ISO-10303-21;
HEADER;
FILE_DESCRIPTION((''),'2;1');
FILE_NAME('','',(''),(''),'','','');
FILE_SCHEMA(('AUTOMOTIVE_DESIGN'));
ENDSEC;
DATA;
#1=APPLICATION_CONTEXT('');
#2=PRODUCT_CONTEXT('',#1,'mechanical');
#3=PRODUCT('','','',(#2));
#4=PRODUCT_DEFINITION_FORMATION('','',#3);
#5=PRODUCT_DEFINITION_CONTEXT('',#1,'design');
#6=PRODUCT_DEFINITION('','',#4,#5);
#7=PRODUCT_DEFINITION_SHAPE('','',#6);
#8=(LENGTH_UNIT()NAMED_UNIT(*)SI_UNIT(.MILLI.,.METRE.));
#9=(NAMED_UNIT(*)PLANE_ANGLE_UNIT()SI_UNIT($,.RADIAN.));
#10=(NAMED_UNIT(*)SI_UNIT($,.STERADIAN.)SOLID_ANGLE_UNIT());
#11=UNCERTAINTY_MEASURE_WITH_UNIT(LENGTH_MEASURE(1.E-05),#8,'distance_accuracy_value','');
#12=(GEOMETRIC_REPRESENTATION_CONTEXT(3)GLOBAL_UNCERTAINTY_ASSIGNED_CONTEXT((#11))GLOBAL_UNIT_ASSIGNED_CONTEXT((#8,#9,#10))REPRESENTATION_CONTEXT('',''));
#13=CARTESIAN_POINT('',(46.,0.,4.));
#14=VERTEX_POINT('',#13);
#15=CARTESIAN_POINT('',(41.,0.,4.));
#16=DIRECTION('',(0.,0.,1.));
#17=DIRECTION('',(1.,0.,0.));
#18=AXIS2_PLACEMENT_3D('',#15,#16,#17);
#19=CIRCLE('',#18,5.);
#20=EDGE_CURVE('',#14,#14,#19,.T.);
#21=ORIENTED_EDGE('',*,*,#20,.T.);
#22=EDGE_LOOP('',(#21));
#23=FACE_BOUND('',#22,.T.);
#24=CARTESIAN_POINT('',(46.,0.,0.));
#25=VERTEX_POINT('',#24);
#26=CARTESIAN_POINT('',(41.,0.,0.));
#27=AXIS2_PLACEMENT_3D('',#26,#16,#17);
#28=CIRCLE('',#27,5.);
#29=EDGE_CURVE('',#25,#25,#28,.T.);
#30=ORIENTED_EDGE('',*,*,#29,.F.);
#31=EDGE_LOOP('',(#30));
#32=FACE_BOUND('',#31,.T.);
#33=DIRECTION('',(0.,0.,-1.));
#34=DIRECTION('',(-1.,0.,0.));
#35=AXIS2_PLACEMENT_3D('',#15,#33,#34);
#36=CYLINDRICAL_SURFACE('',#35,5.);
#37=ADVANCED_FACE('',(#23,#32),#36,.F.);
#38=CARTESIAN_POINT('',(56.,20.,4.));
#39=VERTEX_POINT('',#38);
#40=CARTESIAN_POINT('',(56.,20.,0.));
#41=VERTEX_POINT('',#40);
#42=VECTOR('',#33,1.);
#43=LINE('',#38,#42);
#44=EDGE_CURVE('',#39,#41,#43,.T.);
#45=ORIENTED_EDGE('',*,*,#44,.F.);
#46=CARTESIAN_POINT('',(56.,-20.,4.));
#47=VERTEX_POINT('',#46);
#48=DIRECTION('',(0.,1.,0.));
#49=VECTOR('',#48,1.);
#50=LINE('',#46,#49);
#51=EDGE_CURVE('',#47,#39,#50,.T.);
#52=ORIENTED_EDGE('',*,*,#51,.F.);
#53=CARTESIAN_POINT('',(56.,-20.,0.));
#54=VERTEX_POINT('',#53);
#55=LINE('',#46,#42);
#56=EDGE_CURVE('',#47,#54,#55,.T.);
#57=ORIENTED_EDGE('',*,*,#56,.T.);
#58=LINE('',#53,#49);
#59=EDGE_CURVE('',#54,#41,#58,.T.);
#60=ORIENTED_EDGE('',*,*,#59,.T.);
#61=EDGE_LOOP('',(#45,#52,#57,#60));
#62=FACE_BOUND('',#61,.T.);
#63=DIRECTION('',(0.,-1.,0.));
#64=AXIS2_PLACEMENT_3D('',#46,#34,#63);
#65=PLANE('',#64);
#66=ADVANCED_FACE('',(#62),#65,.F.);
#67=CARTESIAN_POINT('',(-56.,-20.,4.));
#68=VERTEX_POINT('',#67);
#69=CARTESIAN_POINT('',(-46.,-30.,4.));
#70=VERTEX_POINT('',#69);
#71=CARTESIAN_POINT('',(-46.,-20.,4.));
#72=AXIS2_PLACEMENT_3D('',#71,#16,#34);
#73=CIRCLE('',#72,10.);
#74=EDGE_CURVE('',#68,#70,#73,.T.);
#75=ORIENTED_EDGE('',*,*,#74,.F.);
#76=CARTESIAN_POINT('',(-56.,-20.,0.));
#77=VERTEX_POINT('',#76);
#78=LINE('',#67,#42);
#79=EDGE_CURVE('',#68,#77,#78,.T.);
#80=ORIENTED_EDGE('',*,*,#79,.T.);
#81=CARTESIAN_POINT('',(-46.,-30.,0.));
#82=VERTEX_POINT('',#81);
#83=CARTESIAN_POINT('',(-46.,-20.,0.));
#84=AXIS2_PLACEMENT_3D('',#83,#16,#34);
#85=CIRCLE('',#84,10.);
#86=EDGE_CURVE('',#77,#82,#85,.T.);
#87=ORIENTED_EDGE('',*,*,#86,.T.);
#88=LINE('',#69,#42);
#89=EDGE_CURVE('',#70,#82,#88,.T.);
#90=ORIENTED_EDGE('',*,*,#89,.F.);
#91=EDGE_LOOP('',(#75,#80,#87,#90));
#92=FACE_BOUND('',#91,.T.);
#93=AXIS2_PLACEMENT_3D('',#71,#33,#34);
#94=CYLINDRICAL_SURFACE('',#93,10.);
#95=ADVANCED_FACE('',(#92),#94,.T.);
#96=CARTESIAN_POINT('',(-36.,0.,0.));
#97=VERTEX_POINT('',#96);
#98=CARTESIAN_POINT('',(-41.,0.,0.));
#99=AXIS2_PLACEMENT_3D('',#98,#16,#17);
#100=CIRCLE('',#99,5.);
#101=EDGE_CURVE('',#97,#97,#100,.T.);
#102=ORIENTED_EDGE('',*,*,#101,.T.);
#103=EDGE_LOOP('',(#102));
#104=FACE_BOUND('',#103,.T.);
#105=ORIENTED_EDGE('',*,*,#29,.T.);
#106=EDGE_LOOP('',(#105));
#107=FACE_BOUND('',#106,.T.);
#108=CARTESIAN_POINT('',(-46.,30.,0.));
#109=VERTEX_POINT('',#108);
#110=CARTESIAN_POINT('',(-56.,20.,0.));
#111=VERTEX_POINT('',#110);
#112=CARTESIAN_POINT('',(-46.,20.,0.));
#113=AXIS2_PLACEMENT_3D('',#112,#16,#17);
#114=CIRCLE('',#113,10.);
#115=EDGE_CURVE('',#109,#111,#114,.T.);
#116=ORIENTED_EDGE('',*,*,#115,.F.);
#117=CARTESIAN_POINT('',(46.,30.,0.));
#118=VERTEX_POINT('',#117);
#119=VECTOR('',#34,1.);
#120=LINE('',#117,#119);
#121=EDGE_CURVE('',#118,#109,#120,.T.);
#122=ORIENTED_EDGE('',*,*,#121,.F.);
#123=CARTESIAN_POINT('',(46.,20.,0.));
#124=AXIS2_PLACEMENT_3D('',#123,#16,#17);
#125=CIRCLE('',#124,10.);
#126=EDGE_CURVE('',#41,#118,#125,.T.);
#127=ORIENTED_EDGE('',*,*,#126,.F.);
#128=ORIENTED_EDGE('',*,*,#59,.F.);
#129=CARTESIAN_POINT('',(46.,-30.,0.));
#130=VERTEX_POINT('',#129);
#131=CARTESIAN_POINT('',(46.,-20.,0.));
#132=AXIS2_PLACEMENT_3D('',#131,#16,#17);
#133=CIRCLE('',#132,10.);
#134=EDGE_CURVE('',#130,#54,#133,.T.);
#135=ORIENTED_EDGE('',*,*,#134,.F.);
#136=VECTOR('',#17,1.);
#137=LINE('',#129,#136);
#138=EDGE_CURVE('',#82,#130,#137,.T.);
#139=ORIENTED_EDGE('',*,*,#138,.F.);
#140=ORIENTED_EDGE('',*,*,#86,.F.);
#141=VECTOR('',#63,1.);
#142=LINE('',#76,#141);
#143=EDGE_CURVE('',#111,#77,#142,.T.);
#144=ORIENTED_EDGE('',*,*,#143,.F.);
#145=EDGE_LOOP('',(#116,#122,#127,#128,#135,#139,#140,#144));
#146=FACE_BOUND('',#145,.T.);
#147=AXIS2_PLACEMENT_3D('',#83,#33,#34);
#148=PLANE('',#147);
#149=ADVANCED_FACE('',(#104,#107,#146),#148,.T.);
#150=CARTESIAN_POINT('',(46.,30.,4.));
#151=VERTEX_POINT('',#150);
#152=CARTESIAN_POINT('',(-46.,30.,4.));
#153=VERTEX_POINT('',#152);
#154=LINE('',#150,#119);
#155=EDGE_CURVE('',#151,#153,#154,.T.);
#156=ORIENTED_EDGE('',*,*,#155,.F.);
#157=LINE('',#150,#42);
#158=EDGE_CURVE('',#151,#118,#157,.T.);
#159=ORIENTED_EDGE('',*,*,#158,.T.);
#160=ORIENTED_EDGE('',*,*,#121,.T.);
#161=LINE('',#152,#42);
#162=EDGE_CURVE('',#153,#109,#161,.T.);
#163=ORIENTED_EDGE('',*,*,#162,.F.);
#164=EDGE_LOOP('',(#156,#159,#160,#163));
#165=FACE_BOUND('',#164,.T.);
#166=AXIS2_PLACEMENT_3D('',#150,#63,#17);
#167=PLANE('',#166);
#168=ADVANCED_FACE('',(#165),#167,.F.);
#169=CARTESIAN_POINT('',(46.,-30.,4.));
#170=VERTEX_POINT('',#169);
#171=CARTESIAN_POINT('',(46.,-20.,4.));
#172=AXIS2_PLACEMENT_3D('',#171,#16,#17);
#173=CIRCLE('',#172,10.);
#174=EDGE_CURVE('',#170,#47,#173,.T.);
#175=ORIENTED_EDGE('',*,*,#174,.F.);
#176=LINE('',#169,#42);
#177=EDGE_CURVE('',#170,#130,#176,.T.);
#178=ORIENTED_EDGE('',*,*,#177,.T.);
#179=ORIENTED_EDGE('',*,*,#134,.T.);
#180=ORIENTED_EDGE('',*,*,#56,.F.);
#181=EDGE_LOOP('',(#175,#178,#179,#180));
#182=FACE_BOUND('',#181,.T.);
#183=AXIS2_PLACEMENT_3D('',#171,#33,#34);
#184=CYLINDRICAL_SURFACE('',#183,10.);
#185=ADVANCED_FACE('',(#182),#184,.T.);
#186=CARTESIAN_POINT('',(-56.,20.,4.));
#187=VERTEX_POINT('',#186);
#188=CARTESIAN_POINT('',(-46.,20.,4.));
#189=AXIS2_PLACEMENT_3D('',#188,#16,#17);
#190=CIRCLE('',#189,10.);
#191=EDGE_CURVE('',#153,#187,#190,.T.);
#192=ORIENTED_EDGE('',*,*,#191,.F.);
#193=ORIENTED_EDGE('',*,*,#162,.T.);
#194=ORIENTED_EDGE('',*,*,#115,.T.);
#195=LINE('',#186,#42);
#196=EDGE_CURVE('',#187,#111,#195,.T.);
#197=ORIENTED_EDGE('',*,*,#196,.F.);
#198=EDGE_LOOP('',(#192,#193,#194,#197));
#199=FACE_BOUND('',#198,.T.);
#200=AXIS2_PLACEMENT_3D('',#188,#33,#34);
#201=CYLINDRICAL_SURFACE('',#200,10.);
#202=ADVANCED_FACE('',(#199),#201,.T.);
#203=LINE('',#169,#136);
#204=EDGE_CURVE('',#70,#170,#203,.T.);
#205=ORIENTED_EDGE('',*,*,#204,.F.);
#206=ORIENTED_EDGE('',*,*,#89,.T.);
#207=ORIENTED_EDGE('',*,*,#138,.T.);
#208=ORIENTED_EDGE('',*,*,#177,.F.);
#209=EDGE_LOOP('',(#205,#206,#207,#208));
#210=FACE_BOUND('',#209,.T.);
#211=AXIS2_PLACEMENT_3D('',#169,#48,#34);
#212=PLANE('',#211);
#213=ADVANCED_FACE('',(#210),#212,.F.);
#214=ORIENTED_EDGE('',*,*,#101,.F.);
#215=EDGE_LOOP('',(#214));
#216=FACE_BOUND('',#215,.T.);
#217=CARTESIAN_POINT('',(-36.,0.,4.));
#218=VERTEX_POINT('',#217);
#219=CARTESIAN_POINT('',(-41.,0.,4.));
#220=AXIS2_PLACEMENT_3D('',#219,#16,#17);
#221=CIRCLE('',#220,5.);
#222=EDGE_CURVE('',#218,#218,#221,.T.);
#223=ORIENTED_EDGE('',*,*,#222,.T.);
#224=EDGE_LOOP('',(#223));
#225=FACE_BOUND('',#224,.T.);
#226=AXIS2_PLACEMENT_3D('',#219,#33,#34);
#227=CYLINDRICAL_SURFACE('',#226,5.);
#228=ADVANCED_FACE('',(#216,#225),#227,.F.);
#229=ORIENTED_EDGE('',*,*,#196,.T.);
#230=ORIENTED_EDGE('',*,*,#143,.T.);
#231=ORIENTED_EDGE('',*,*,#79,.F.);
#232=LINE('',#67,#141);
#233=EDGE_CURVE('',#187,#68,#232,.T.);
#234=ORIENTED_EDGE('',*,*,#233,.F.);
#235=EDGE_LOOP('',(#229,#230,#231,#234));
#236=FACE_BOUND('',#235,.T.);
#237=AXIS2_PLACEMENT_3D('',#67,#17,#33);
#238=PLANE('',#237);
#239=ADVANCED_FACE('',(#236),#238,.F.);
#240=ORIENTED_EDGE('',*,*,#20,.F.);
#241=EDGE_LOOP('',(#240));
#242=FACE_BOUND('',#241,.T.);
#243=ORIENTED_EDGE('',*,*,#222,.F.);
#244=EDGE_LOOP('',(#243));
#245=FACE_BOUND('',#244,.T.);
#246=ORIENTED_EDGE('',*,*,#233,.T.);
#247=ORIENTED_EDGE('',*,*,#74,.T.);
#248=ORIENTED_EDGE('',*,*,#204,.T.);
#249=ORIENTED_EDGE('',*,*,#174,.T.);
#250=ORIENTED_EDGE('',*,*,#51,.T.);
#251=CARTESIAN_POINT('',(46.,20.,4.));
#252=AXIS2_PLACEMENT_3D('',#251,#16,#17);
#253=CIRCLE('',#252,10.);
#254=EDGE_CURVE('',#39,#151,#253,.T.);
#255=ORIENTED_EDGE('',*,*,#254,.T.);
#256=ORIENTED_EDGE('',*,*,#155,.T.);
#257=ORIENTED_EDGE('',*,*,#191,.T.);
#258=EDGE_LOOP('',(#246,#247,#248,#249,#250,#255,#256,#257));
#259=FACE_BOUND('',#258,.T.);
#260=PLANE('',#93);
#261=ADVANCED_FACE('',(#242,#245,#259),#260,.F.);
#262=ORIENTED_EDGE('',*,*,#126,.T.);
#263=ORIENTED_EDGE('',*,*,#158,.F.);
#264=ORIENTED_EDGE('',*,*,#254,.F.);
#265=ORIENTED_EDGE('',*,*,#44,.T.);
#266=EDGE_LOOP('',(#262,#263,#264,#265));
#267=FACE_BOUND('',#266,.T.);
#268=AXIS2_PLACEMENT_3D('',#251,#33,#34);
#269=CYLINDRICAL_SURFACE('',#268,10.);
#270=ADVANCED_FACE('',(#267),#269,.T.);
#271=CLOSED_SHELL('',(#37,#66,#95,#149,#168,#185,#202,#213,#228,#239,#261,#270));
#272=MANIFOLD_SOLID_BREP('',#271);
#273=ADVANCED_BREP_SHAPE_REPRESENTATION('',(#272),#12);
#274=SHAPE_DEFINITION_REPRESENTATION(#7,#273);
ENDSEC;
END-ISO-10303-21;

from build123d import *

# Parameters (mm, degrees)
ESQUISSE1_R        = 5
BOSS_EXTRU_1_DEPTH = 4


with BuildPart() as part:
    # Esquisse1 → Boss.-Extru.1 (new body)
    with BuildSketch(Plane.XY):
        with BuildLine():
            Line((46, -30), (-46, -30))
            ThreePointArc((-46, -30), (-53.071067812, -27.071067812), (-56, -20))
            Line((-56, -20), (-56, 20))
            ThreePointArc((-56, 20), (-53.071067812, 27.071067812), (-46, 30))
            Line((-46, 30), (46, 30))
            ThreePointArc((46, 30), (53.071067812, 27.071067812), (56, 20))
            Line((56, 20), (56, -20))
            ThreePointArc((56, -20), (53.071067812, -27.071067812), (46, -30))
        make_face()
        with Locations((-41, 0)):
            Circle(ESQUISSE1_R, mode=Mode.SUBTRACT)
        with Locations((41, 0)):
            Circle(ESQUISSE1_R, mode=Mode.SUBTRACT)
    extrude(amount=BOSS_EXTRU_1_DEPTH)


solid = part.part
